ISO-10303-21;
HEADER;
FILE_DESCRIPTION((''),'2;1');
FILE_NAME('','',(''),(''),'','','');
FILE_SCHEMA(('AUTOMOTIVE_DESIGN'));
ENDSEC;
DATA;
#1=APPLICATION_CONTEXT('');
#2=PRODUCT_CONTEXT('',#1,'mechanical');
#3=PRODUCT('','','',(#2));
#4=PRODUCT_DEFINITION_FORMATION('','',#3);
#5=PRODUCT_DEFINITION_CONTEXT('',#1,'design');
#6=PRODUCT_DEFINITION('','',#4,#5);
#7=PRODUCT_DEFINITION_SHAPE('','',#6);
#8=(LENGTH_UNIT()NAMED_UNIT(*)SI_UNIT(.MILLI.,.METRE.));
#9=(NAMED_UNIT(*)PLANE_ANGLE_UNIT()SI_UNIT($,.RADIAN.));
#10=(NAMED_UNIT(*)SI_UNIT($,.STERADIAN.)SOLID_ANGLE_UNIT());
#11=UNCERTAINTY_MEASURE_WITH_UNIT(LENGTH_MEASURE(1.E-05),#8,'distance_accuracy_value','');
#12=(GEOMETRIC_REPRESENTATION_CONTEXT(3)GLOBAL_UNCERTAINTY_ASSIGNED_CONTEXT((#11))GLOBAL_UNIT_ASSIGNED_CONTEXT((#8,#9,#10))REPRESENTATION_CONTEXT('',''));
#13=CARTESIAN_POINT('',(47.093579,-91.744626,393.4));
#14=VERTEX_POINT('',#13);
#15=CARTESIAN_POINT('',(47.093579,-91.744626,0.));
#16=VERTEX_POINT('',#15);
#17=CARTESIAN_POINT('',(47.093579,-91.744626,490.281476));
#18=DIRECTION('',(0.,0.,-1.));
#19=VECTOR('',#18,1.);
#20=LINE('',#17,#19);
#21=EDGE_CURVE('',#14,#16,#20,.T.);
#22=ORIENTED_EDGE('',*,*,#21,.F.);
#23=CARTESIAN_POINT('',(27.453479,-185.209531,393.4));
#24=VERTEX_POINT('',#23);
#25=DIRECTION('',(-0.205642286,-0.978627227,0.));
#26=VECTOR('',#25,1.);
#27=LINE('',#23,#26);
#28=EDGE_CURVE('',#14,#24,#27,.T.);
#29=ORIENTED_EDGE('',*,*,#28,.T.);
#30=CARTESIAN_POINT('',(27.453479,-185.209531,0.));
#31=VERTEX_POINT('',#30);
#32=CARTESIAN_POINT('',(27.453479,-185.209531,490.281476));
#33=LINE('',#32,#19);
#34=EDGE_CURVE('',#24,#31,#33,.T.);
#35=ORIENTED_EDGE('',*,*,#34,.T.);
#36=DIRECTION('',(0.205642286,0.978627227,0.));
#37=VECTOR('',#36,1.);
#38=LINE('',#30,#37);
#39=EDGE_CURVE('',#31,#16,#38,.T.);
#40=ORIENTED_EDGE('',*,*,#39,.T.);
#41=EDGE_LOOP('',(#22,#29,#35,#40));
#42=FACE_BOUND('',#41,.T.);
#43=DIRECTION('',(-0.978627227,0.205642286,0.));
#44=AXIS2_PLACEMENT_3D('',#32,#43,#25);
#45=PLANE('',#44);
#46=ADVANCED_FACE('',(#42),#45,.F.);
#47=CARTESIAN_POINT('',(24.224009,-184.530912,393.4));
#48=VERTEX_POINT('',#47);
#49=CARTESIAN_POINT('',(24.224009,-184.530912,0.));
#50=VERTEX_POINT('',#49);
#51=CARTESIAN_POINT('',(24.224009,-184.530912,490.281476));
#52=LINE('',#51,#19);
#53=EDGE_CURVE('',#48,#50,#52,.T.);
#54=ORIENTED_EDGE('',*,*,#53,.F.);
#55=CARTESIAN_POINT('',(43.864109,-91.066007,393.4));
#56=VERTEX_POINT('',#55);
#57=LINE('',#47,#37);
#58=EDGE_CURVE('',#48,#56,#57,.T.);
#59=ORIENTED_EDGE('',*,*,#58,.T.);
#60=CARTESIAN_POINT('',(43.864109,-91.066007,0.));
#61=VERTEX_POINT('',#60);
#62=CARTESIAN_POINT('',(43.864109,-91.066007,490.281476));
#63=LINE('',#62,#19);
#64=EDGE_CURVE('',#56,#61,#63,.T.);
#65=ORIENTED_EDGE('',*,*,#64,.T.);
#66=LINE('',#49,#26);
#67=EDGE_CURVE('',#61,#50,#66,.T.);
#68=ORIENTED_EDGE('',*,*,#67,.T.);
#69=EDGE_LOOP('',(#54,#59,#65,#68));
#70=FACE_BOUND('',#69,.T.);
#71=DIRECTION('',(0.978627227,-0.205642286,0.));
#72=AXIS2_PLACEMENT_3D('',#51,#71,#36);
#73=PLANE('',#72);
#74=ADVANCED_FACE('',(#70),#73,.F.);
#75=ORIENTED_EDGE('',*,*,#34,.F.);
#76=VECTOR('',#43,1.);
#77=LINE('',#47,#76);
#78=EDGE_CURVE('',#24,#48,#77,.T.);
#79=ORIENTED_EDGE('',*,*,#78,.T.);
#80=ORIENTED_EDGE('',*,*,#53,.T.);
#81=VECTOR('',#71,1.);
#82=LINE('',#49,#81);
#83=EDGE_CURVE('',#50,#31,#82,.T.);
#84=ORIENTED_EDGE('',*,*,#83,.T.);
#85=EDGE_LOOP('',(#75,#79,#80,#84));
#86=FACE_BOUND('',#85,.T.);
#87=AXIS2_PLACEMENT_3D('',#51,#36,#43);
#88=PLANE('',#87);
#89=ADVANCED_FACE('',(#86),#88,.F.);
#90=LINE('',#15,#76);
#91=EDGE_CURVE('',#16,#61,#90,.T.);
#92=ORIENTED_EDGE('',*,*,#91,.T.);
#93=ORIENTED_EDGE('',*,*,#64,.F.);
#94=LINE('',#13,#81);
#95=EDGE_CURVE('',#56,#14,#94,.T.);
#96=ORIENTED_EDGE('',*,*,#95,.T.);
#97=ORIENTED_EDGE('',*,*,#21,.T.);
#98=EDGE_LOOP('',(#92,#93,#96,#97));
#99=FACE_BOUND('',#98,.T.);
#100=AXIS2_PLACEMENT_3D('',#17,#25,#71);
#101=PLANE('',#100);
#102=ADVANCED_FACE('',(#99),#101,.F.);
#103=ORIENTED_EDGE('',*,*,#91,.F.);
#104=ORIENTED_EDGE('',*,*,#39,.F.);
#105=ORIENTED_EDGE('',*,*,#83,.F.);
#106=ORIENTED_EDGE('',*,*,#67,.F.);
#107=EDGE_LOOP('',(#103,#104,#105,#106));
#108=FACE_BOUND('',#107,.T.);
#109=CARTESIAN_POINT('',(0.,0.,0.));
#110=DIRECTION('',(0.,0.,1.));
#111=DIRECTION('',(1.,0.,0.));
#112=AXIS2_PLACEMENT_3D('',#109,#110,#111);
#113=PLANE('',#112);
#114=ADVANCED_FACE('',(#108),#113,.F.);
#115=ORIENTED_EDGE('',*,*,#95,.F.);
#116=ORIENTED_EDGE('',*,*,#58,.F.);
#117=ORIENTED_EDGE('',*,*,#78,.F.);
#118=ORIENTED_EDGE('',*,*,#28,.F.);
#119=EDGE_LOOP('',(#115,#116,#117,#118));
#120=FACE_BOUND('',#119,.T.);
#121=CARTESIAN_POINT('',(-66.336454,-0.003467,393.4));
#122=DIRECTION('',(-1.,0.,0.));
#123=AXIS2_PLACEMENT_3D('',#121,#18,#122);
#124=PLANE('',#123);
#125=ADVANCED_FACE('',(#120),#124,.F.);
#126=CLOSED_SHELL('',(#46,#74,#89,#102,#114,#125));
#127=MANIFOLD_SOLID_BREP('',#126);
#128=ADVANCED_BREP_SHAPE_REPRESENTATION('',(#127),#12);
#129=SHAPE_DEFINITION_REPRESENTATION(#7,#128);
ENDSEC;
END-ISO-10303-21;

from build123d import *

# Parameters (mm, degrees)
BOSS_EXTRUDE1_DEPTH = 393.4


with BuildPart() as part:
    # Sketch1 → Boss-Extrude1 (new body)
    with BuildSketch(Plane.XY):
        Polygon((24.224008988, -184.530911805), (43.864109101, -91.066006839), (47.093578952, -91.744626382), (27.453478839, -185.209531349), align=None)
    extrude(amount=BOSS_EXTRUDE1_DEPTH)


solid = part.part
